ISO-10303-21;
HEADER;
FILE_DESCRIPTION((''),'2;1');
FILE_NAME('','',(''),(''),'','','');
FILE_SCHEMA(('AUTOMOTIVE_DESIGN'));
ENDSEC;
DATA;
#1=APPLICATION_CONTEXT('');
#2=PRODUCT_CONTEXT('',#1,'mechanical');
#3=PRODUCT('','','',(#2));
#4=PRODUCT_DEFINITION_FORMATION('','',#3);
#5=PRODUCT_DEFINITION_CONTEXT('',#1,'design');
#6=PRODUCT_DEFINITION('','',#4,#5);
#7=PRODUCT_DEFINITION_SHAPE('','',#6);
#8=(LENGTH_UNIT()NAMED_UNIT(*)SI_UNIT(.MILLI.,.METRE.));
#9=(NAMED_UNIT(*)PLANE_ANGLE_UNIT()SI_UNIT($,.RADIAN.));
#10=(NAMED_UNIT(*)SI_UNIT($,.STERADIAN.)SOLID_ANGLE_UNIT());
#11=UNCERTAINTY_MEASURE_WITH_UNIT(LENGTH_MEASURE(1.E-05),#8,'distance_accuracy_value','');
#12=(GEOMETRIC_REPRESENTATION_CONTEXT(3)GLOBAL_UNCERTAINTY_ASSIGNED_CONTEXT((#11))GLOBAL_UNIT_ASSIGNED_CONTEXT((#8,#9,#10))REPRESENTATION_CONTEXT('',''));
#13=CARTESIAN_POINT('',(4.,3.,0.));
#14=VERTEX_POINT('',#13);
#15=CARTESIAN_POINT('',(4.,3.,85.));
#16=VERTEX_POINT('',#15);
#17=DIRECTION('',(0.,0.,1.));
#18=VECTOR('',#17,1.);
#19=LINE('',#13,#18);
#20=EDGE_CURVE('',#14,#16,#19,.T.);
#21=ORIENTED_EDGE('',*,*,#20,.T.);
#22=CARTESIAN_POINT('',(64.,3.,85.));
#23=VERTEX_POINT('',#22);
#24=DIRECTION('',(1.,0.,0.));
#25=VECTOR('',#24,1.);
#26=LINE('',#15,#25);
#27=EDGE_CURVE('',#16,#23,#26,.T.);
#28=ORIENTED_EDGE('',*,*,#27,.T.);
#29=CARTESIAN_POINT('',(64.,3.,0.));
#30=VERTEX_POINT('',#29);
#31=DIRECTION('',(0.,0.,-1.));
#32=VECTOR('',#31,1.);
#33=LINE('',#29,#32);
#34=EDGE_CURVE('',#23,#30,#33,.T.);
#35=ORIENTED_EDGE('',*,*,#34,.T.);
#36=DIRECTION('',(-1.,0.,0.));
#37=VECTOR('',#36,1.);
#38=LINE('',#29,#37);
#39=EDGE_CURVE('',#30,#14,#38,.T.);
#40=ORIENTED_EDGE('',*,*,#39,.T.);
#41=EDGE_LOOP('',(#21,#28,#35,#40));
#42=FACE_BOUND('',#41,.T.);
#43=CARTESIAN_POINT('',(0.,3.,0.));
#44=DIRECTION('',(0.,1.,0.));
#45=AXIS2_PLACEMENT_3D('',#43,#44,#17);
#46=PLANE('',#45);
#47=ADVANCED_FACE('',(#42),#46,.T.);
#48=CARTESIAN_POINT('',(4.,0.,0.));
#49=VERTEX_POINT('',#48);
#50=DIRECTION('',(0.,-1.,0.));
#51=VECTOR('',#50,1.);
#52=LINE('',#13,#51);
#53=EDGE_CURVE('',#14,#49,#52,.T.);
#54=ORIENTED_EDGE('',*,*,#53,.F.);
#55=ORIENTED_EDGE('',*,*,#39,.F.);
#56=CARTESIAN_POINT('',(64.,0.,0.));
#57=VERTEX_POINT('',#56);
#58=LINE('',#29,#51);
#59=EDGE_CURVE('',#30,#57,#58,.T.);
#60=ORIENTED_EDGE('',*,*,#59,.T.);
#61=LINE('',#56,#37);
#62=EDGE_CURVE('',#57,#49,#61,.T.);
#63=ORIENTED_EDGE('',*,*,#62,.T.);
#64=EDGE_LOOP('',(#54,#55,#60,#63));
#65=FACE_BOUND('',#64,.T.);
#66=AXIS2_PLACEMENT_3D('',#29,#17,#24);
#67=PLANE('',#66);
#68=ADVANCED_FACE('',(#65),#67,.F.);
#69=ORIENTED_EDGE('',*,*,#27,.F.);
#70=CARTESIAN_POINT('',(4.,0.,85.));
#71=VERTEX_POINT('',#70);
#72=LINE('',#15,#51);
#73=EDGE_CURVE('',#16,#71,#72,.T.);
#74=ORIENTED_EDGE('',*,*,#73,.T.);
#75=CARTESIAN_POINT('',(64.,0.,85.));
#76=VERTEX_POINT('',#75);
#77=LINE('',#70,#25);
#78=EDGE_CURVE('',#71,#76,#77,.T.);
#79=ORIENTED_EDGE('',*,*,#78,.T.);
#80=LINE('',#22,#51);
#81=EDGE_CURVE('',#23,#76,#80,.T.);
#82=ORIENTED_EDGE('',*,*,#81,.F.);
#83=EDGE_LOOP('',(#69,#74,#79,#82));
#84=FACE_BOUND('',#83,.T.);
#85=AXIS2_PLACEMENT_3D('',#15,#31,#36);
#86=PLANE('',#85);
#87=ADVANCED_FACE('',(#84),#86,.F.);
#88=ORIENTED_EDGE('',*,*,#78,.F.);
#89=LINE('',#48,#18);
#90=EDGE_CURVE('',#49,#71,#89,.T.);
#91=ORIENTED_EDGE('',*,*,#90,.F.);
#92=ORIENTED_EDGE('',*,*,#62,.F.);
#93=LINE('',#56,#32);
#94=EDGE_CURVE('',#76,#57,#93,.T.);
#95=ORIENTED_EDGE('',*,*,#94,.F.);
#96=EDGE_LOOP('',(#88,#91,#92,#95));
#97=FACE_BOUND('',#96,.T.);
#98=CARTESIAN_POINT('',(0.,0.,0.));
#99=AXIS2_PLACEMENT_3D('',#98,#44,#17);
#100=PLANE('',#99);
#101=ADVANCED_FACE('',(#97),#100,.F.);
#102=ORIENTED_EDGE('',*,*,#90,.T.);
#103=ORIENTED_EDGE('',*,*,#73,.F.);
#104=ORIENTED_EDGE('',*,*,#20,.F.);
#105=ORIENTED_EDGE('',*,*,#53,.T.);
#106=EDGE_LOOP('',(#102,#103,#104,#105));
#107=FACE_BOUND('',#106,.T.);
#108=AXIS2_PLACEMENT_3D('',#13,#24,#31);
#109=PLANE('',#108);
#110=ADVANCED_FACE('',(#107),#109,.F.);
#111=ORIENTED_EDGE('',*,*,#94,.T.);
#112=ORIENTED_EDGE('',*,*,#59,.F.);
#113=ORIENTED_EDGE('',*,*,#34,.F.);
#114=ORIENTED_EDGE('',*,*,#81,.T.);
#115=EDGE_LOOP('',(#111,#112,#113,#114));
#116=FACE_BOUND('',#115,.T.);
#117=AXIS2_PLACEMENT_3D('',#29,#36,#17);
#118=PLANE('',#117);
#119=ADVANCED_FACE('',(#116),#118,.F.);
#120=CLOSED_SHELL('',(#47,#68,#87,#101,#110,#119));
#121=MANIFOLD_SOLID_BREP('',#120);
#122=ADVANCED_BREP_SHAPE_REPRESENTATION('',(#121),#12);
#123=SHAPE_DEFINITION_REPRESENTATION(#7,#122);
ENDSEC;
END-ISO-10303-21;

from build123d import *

# Parameters (mm, degrees)
SKETCH_1_W      = 60
SKETCH_1_H      = 85
EXTRUDE_1_DEPTH = 3


with BuildPart() as part:
    # Эскиз1 → Бобышка-Вытянуть1 (new body)
    with BuildSketch(Plane(origin=(0, 0, 0), x_dir=(1, 0, 0), z_dir=(0, 1, 0))):
        with Locations((34, -42.5)):
            Rectangle(SKETCH_1_W, SKETCH_1_H)
    extrude(amount=EXTRUDE_1_DEPTH)


solid = part.part
